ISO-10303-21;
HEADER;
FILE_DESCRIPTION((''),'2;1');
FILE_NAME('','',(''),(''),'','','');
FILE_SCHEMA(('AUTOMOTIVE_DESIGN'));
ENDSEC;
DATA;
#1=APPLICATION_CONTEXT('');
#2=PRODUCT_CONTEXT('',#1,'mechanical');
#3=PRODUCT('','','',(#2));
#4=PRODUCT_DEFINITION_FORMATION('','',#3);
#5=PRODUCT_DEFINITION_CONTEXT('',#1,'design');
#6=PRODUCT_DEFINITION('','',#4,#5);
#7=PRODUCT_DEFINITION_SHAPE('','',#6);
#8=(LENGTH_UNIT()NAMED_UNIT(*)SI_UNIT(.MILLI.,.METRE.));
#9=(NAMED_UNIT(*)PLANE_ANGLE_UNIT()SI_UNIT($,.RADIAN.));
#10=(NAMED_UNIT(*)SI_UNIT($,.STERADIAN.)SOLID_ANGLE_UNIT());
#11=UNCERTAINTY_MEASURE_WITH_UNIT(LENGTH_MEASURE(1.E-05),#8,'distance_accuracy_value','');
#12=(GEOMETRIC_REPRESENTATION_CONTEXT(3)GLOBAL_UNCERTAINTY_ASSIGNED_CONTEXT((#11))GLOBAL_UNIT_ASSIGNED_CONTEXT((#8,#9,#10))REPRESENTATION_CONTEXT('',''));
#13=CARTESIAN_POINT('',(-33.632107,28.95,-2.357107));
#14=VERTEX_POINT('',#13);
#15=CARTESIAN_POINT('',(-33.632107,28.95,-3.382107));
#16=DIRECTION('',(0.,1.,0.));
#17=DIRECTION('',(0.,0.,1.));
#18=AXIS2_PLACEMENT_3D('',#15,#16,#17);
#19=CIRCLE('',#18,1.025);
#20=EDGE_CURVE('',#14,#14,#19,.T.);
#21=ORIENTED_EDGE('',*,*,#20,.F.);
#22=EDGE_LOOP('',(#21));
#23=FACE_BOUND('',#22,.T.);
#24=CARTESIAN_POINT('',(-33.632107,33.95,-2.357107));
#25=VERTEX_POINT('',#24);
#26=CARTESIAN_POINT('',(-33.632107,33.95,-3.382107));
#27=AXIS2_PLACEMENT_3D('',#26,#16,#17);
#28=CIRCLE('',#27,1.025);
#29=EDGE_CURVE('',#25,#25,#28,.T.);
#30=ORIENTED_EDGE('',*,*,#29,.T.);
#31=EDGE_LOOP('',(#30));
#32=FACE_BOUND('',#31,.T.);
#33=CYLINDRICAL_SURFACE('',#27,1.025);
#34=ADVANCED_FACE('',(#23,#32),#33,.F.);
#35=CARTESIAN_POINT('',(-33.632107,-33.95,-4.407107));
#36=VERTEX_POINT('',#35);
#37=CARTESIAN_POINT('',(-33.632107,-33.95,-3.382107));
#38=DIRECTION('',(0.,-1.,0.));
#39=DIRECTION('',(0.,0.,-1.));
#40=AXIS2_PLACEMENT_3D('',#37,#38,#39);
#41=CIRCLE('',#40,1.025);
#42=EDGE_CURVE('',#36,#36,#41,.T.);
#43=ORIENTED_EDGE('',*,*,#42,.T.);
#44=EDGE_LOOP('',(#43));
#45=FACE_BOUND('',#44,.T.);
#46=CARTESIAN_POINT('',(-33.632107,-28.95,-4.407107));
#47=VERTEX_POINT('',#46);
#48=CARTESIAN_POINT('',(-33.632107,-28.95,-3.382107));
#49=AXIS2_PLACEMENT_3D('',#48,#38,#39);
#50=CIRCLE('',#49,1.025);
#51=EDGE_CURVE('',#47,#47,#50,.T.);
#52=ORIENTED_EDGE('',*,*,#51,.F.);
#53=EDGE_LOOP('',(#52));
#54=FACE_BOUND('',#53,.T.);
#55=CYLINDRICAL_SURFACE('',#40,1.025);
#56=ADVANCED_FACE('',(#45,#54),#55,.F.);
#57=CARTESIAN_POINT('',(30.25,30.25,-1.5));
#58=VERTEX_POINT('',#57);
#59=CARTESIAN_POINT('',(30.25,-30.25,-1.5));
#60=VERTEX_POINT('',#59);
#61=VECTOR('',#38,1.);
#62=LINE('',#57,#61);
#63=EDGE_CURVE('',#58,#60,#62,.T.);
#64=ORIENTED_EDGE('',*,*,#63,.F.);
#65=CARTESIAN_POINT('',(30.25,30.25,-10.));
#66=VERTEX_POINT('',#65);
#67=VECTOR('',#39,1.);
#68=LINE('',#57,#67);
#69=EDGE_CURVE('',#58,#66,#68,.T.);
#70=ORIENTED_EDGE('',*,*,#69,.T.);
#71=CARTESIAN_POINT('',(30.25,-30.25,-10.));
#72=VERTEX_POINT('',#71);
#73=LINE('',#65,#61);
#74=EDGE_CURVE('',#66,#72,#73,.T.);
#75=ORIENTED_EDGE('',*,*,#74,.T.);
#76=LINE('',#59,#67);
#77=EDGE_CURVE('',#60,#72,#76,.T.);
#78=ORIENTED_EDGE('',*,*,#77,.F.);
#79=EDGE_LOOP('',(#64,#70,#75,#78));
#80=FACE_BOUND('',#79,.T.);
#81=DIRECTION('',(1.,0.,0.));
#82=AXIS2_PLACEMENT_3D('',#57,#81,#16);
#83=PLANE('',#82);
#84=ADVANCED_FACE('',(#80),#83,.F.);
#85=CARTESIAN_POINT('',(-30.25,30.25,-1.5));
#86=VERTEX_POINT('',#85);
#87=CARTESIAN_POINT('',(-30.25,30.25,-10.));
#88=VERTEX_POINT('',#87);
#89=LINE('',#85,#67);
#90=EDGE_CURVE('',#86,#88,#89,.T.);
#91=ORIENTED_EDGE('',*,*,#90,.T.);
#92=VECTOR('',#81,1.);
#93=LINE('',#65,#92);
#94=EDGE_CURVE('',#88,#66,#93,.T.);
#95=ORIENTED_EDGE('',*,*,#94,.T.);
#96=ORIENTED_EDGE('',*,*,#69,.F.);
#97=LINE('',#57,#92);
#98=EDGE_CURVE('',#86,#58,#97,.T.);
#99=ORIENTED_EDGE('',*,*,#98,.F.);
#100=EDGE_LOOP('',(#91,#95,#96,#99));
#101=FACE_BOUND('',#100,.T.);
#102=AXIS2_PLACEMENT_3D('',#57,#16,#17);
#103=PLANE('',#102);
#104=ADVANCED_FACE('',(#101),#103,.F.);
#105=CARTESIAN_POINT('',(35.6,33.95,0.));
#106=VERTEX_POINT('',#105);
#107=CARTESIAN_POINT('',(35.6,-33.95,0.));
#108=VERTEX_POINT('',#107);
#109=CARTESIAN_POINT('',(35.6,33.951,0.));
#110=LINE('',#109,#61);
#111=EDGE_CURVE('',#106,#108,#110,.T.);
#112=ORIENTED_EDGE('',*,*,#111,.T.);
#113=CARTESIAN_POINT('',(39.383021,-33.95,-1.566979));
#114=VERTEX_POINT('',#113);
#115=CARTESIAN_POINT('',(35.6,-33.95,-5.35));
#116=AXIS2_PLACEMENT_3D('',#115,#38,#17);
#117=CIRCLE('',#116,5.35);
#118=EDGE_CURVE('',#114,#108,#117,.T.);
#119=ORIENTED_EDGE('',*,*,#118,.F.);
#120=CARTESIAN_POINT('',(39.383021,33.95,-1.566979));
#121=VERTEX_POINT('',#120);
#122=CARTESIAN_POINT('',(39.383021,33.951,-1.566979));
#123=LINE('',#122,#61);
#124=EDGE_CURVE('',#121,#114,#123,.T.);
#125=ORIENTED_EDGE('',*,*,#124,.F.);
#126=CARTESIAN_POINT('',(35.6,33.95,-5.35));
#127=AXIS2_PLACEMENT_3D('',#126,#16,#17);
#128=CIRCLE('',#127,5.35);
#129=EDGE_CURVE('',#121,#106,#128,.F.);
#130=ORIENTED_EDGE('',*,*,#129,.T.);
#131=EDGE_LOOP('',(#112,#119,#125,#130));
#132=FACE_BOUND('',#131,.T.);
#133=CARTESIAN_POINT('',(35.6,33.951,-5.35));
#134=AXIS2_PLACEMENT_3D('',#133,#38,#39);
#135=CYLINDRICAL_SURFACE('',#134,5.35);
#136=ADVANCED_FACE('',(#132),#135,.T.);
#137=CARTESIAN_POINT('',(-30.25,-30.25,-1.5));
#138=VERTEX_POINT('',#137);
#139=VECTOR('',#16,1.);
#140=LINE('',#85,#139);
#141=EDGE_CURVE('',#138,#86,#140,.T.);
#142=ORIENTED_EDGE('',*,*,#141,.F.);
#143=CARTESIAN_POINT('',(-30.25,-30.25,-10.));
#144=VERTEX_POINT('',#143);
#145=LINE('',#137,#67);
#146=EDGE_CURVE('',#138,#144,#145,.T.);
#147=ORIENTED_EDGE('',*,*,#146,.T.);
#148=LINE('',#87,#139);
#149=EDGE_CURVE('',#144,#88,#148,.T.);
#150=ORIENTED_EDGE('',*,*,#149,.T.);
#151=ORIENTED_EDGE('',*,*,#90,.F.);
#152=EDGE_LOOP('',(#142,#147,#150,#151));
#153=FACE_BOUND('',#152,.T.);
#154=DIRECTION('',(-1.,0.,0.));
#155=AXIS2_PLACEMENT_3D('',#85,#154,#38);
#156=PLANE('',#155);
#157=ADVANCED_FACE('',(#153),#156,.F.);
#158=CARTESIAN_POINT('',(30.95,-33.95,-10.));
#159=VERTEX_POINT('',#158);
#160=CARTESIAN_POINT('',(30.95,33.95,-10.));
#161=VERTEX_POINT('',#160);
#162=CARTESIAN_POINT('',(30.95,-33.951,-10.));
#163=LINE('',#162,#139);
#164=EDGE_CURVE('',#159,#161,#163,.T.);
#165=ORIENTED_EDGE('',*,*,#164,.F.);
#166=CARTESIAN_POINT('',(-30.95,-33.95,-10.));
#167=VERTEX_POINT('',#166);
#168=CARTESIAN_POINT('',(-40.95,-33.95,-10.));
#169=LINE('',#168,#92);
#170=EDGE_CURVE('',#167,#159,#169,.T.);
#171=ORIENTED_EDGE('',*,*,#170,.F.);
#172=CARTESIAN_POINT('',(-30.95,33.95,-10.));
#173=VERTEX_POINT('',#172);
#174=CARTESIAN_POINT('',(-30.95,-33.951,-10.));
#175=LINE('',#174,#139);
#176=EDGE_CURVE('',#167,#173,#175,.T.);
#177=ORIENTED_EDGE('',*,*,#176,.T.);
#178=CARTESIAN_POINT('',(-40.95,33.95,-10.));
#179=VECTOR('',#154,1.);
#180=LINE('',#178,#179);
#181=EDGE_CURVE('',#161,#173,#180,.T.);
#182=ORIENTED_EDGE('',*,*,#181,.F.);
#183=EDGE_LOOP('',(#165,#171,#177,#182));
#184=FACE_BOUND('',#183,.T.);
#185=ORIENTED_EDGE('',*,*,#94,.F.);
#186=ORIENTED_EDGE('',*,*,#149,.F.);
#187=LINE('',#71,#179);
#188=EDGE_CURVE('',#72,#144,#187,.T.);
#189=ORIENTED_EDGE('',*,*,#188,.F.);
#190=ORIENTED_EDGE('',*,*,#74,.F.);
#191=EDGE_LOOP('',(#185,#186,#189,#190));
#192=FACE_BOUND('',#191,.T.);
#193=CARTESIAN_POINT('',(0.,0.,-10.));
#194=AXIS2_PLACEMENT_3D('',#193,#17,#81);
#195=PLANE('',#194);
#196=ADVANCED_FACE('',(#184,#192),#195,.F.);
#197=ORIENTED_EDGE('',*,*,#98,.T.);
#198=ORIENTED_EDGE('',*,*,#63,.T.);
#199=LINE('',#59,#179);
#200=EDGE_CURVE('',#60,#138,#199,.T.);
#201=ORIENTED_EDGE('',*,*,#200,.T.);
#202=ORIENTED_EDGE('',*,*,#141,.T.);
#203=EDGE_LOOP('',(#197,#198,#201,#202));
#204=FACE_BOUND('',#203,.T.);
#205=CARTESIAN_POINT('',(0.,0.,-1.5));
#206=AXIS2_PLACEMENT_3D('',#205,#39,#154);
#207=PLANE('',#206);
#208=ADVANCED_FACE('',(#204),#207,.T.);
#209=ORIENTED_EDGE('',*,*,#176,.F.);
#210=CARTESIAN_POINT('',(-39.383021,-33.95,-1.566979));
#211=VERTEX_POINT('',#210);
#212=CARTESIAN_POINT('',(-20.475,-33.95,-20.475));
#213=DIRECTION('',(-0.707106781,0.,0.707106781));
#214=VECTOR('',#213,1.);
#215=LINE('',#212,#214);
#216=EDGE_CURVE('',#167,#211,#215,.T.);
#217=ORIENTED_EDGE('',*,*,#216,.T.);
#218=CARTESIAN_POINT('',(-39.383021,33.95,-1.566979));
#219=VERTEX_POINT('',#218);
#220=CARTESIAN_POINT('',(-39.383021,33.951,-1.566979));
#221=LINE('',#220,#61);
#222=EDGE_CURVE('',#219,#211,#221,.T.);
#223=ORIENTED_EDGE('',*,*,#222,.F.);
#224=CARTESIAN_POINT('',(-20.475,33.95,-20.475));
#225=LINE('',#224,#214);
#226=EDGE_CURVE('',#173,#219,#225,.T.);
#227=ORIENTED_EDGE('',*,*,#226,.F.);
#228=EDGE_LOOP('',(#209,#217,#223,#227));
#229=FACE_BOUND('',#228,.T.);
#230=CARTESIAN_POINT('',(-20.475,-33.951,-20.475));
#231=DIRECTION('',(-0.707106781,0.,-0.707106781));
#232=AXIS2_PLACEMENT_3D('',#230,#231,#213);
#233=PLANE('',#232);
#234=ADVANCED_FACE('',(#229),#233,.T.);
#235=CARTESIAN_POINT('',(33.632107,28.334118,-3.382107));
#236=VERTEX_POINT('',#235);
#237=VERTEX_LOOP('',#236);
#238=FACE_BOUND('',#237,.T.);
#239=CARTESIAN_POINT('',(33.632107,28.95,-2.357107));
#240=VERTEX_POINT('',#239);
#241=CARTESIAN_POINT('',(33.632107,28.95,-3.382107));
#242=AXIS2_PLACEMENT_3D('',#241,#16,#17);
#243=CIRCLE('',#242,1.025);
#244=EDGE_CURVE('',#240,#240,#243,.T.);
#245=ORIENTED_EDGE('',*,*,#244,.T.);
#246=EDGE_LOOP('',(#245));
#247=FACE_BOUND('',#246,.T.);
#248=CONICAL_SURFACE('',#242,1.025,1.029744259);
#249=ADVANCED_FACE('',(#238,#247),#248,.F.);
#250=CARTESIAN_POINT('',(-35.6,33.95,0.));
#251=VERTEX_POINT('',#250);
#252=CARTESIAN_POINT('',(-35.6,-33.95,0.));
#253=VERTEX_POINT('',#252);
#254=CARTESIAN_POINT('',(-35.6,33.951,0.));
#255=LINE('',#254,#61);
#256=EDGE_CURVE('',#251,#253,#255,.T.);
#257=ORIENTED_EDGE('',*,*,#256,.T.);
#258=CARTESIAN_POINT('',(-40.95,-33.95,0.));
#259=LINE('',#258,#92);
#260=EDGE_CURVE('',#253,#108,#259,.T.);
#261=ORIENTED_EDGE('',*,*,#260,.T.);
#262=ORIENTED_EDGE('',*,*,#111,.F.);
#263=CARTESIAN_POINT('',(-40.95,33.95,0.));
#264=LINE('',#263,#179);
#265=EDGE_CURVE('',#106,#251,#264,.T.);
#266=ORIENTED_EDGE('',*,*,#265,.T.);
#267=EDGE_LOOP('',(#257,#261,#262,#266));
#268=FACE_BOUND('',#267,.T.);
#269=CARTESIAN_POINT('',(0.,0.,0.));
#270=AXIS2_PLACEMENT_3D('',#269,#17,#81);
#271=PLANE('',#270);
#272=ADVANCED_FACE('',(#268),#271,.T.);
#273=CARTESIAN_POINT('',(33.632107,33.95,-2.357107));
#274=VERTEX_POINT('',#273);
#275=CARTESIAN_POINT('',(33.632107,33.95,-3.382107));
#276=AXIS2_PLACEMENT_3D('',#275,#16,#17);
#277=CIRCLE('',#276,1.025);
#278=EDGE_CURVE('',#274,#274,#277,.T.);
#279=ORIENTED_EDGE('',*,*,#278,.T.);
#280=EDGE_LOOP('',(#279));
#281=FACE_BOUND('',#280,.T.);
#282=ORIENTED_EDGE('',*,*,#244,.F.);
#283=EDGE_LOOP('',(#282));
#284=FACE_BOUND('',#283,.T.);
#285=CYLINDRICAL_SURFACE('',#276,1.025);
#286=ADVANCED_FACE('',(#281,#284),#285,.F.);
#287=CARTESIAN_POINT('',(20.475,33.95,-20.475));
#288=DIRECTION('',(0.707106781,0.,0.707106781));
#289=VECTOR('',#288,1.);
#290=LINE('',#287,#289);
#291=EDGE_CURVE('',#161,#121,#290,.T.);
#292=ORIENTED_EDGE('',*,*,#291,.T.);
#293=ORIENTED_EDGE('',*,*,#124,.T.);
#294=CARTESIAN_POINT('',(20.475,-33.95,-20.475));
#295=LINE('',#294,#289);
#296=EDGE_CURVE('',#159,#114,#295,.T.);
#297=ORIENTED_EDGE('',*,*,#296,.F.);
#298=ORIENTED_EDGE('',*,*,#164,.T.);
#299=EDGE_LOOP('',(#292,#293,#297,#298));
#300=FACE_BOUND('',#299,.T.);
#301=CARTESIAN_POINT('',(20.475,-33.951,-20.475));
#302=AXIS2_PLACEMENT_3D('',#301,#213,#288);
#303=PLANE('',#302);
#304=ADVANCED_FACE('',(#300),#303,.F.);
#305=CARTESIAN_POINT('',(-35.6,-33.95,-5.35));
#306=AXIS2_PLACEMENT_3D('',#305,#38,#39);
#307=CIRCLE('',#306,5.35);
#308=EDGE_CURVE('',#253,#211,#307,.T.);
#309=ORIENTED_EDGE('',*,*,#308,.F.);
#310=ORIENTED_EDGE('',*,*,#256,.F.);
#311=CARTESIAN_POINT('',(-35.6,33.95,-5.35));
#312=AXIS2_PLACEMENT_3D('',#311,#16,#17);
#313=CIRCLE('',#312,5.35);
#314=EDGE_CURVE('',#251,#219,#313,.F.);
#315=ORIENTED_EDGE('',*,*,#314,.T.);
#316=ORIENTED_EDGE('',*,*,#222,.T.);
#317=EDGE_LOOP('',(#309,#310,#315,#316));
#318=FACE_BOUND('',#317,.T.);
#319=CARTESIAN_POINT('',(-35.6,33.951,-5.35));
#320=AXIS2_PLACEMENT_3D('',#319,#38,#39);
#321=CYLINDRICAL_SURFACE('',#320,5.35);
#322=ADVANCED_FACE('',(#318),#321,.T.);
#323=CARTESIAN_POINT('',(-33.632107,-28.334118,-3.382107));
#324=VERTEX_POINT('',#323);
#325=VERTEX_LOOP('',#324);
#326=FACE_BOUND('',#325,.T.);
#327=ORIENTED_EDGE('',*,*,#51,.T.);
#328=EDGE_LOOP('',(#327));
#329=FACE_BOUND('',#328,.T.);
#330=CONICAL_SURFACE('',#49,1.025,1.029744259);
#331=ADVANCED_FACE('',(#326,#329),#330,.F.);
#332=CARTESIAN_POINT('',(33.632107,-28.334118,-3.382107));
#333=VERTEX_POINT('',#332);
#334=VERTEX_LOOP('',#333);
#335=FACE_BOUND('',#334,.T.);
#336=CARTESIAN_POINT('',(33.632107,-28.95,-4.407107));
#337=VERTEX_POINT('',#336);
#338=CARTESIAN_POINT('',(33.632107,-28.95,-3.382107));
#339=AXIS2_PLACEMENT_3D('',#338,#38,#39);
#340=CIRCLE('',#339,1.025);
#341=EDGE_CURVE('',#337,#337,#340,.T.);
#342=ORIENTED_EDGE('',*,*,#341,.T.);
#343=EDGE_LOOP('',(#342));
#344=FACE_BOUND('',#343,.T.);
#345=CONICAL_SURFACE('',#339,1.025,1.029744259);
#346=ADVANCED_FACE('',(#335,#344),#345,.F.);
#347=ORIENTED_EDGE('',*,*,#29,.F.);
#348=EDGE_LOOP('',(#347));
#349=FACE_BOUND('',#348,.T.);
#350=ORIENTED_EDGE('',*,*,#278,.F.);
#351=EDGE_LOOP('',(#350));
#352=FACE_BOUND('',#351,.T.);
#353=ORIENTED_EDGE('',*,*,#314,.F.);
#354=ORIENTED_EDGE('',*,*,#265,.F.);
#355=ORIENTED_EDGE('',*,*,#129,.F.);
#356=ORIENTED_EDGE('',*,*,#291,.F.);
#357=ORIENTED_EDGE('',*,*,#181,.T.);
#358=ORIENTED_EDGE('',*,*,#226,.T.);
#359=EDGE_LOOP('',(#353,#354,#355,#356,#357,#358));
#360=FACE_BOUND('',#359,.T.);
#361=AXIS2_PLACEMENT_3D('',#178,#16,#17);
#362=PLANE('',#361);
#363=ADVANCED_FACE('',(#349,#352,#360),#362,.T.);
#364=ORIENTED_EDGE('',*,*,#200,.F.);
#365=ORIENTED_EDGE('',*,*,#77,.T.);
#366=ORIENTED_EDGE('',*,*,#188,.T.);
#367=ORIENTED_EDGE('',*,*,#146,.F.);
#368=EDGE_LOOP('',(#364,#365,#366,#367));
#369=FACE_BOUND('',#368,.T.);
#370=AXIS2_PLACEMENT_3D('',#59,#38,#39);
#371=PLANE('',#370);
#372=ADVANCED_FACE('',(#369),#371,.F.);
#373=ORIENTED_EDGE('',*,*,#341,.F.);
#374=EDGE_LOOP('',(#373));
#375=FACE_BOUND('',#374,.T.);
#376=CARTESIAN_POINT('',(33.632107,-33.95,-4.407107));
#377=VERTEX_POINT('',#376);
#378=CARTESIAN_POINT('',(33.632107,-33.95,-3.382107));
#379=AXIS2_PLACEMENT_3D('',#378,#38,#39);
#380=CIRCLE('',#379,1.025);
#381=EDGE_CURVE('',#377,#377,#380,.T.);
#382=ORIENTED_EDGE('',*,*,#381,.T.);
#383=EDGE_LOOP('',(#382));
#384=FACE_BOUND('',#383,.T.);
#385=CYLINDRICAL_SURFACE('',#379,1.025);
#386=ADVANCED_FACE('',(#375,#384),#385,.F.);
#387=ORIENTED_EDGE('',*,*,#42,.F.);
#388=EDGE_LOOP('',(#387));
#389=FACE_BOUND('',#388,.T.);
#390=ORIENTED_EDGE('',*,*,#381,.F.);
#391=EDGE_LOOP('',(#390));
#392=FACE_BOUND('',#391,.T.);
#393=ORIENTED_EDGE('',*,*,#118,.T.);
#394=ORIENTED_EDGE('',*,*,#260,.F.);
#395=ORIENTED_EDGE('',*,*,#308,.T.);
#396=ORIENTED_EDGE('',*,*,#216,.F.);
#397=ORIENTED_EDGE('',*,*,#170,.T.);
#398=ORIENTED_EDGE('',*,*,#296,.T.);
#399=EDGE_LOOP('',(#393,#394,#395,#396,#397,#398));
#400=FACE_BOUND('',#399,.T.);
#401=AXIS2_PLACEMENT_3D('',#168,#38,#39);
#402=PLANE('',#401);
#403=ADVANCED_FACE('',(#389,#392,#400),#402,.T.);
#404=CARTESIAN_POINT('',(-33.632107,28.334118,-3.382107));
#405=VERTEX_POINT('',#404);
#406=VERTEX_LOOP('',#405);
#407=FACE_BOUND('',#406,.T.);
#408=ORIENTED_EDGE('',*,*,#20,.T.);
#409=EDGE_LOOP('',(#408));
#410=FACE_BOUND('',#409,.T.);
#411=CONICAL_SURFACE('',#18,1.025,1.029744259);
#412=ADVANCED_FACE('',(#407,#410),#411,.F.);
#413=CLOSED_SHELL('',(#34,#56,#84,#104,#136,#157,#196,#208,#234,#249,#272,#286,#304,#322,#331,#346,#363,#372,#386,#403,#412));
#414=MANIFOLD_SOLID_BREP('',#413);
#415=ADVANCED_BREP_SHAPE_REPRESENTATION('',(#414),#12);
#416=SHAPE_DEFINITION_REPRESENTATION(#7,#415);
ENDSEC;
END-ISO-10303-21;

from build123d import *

# Parameters (mm, degrees)
SKETCH_1_W            = 81.9
SKETCH_1_H            = 67.9
EXTRUDE_1_DEPTH       = 10
SKETCH_2_W            = 60.5
SKETCH_2_H            = 60.5
CUT_EXTRUDE_1_DEPTH   = 8.5
CUT_EXTRUDE_4_REACH   = 91.242
M2_5X0_451_AT_2_COUNT = 2
M2_5X0_451_AT_2_PITCH = 67.264213562
CUT_EXTRUDE_5_REACH   = 81.921


with BuildPart() as part:
    # Эскиз1 → Бобышка-Вытянуть1 (new body)
    with BuildSketch(Plane.XY):
        Rectangle(SKETCH_1_W, SKETCH_1_H)
    extrude(amount=-EXTRUDE_1_DEPTH)

    # Эскиз2 → Вырез-Вытянуть1 (cut)
    with BuildSketch(Plane(origin=(0, 0, -10), x_dir=(-1, 0, 0), z_dir=(0, 0, -1))):
        Rectangle(SKETCH_2_W, SKETCH_2_H)
    extrude(amount=-CUT_EXTRUDE_1_DEPTH, mode=Mode.SUBTRACT)

    # Эскиз4 → Вырез-Вытянуть4 (cut, up to next)
    with BuildSketch(Plane(origin=(0, -33.95, -40.95), x_dir=(1, 0, 0), z_dir=(0, 1, 0)), mode=Mode.PRIVATE) as cut_extrude_4_sk1:
        with BuildLine():
            Line((39.383021279, -39.383021279), (40.95, -40.95))
            Line((40.95, -40.95), (35.6, -40.95))
            ThreePointArc((35.6, -40.95), (37.647356363, -40.542755499), (39.383021279, -39.383021279))
        make_face()
    cut_extrude_4_tool1 = extrude(cut_extrude_4_sk1.sketch, amount=CUT_EXTRUDE_4_REACH, mode=Mode.PRIVATE) & part.part
    # Эскиз4 → Вырез-Вытянуть4 (cut, up to next)
    with BuildSketch(Plane(origin=(0, -33.95, -40.95), x_dir=(1, 0, 0), z_dir=(0, 1, 0)), mode=Mode.PRIVATE) as cut_extrude_4_sk2:
        with BuildLine():
            Line((-40.95, -40.95), (-35.6, -40.95))
            ThreePointArc((-35.6, -40.95), (-37.647356363, -40.542755499), (-39.383021279, -39.383021279))
            Line((-39.383021279, -39.383021279), (-40.95, -40.95))
        make_face()
    cut_extrude_4_tool2 = extrude(cut_extrude_4_sk2.sketch, amount=CUT_EXTRUDE_4_REACH, mode=Mode.PRIVATE) & part.part
    add(cut_extrude_4_tool1.solids().sort_by_distance((39.042099, -33.95, -0.482136))[0], mode=Mode.SUBTRACT)
    add(cut_extrude_4_tool2.solids().sort_by_distance((-39.042099, -33.95, -0.482136))[0], mode=Mode.SUBTRACT)

    # Эскиз8 → Отверстие обработанное метчиком M2.5x0.451 (revolve, cut)
    with BuildSketch(Plane(origin=(33.632106781, 33.95, -3.382106781), x_dir=(0, 0, 1), z_dir=(1, 0, 0))):
        Polygon((0, 0), (0, 5.615882135), (1.025, 5), (1.025, 0), align=None)
    m2_5x0_451 = revolve(axis=Axis((33.632106781, 40.3, -3.382106781), (0, -1, 0)), mode=Mode.SUBTRACT)

    # Отверстие обработанное метчиком M2.5x0.451 at 2: Отверстие обработанное метчиком M2.5x0.451 ×2
    with Locations(*[(-i * M2_5X0_451_AT_2_PITCH, 0, 0) for i in range(1, M2_5X0_451_AT_2_COUNT)]):
        add(m2_5x0_451, mode=Mode.SUBTRACT)

    # Зеркальное отражение1: Отверстие обработанное метчиком M2.5x0.451 across plane
    add(m2_5x0_451.mirror(Plane.ZX), mode=Mode.SUBTRACT)

    # Зеркальное отражение1 copy 1 sketch → Зеркальное отражение1 copy 1 (revolve, cut)
    with BuildSketch(Plane(origin=(-33.632106781, -33.95, -3.382106781), x_dir=(0, 0, 1), z_dir=(1, 0, 0))):
        Polygon((0, 0), (0, -5.615882135), (1.025, -5), (1.025, 0), align=None)
    revolve(axis=Axis((-33.632106781, -40.3, -3.382106781), (0, -1, 0)), mode=Mode.SUBTRACT)

    # Эскиз3 → Вырез-Вытянуть5 (cut, up to next)
    with BuildSketch(Plane(origin=(0, 33.95, 0), x_dir=(1, 0, 0), z_dir=(0, 1, 0)), mode=Mode.PRIVATE) as cut_extrude_5_sk1:
        Polygon((30.95, 10), (40.95, 0), (40.95, 10), align=None)
    cut_extrude_5_tool1 = extrude(cut_extrude_5_sk1.sketch, amount=-CUT_EXTRUDE_5_REACH, mode=Mode.PRIVATE) & part.part
    # Эскиз3 → Вырез-Вытянуть5 (cut, up to next)
    with BuildSketch(Plane(origin=(0, 33.95, 0), x_dir=(1, 0, 0), z_dir=(0, 1, 0)), mode=Mode.PRIVATE) as cut_extrude_5_sk2:
        Polygon((-30.95, 10), (-40.95, 10), (-40.95, 0), align=None)
    cut_extrude_5_tool2 = extrude(cut_extrude_5_sk2.sketch, amount=-CUT_EXTRUDE_5_REACH, mode=Mode.PRIVATE) & part.part
    add(cut_extrude_5_tool1.solids().sort_by_distance((37.616667, 33.95, -6.666667))[0], mode=Mode.SUBTRACT)
    add(cut_extrude_5_tool2.solids().sort_by_distance((-37.616667, 33.95, -6.666667))[0], mode=Mode.SUBTRACT)


solid = part.part
